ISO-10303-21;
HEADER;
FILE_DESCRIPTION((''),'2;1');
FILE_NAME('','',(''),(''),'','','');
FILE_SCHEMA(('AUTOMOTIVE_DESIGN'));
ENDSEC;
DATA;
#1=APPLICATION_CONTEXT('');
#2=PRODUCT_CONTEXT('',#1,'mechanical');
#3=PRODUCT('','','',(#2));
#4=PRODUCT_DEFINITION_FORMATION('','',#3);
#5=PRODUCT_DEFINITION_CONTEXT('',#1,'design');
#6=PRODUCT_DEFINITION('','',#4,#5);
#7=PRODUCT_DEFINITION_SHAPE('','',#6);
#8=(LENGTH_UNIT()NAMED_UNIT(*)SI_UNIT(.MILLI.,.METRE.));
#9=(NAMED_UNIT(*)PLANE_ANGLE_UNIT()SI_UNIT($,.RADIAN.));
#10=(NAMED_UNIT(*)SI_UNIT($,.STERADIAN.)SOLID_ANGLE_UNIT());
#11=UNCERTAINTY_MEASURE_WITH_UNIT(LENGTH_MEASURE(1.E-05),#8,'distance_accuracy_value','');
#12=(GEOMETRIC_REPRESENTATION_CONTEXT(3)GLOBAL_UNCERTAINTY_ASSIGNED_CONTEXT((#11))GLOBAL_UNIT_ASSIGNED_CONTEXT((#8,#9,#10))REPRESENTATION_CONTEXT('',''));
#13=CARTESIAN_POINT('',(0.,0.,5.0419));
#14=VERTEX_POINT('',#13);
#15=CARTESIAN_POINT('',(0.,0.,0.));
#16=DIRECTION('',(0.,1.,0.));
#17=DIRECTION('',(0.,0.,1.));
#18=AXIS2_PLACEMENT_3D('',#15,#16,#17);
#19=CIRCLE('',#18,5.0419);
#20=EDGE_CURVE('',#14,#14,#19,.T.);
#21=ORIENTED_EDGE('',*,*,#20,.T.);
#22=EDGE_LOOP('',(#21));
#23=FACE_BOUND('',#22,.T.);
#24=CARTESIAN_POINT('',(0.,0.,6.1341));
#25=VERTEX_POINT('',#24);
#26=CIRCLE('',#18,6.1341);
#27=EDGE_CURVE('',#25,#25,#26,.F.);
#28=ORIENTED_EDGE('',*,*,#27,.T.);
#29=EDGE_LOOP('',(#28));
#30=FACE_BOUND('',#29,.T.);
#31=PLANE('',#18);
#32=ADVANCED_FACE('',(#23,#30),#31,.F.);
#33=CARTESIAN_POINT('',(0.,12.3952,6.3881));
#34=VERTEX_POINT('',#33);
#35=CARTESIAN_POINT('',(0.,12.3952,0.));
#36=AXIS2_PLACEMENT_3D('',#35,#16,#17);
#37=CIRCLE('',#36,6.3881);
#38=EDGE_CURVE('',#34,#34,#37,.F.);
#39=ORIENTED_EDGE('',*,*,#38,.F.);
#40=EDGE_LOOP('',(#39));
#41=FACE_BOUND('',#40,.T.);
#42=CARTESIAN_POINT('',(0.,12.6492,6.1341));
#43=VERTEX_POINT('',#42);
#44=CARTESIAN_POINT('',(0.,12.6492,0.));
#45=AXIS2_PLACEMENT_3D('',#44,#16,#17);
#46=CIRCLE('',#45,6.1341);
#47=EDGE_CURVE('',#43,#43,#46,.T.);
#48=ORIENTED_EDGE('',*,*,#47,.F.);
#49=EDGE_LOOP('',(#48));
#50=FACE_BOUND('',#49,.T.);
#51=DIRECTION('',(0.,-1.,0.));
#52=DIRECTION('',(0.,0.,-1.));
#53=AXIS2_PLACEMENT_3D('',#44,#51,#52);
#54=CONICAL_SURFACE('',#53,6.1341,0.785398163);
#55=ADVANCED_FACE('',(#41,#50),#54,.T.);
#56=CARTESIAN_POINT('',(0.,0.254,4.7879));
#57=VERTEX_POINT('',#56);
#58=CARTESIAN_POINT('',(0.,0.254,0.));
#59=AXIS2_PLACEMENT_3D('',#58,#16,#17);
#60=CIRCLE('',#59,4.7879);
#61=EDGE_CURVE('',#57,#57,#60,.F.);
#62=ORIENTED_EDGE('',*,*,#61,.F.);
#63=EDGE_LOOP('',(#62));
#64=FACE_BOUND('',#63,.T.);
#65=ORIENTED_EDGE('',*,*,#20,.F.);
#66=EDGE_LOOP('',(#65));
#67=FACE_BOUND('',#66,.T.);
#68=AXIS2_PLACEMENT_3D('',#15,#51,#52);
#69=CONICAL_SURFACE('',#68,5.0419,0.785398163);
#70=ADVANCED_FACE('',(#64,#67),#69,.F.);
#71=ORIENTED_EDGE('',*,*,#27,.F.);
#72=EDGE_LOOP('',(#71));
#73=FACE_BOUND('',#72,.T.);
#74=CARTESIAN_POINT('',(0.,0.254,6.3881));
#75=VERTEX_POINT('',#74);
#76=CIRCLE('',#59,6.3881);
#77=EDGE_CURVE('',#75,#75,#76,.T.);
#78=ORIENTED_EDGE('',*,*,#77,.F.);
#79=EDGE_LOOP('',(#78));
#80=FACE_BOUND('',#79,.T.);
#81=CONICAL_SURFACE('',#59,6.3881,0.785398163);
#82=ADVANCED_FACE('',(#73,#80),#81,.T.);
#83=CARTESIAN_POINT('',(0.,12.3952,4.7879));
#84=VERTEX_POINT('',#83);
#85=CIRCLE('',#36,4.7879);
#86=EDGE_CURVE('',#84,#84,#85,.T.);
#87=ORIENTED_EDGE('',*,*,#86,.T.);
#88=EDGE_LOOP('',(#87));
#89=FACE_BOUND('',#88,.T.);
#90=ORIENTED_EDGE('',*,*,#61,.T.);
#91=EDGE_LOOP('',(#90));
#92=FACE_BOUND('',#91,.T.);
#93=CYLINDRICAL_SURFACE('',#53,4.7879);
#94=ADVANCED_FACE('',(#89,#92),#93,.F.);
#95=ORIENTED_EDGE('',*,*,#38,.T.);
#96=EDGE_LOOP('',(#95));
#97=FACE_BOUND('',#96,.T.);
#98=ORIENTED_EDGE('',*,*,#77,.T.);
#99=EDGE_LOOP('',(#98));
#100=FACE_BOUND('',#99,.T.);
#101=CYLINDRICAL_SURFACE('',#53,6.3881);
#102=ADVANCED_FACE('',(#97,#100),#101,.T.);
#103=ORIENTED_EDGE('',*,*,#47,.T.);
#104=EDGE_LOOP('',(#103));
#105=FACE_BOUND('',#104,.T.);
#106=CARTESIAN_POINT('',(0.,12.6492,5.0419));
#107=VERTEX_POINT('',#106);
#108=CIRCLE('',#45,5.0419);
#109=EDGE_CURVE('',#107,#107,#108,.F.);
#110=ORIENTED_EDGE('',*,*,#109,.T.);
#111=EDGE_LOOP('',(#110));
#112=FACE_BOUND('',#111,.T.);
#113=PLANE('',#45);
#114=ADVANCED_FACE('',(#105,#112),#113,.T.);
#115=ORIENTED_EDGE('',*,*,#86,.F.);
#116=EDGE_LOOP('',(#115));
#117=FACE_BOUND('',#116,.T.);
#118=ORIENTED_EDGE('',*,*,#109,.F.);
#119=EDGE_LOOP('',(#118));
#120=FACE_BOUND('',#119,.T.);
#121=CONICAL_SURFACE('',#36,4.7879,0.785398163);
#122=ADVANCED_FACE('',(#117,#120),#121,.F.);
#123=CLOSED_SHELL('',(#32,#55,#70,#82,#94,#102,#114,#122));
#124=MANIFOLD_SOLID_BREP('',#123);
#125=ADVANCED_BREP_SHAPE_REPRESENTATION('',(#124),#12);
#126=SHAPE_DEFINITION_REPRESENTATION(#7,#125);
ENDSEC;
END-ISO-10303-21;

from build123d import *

# Parameters (mm, degrees)
SKETCH1_R           = 6.3881
SKETCH1_R_2         = 4.7879
BOSS_EXTRUDE1_DEPTH = 12.6492
CHAMFER1_SIZE       = 0.254


with BuildPart() as part:
    # Sketch1 → Boss-Extrude1 (new body)
    with BuildSketch(Plane(origin=(0, 0, 0), x_dir=(1, 0, 0), z_dir=(0, 1, 0))):
        with Locations(Location((0, 0, 0), (0, 0, 270))):
            Circle(SKETCH1_R)
        with Locations(Location((0, 0, 0), (0, 0, 270))):
            Circle(SKETCH1_R_2, mode=Mode.SUBTRACT)
    extrude(amount=BOSS_EXTRUDE1_DEPTH)

    # Chamfer1
    chamfer1_edges = [part.edges().sort_by_distance(p)[0] for p in [
        (0, 0, -6.3881),
        (0, 12.6492, -6.3881),
        (0, 0, -4.7879),
        (0, 12.6492, -4.7879),
    ]]
    chamfer(chamfer1_edges, length=CHAMFER1_SIZE)


solid = part.part
